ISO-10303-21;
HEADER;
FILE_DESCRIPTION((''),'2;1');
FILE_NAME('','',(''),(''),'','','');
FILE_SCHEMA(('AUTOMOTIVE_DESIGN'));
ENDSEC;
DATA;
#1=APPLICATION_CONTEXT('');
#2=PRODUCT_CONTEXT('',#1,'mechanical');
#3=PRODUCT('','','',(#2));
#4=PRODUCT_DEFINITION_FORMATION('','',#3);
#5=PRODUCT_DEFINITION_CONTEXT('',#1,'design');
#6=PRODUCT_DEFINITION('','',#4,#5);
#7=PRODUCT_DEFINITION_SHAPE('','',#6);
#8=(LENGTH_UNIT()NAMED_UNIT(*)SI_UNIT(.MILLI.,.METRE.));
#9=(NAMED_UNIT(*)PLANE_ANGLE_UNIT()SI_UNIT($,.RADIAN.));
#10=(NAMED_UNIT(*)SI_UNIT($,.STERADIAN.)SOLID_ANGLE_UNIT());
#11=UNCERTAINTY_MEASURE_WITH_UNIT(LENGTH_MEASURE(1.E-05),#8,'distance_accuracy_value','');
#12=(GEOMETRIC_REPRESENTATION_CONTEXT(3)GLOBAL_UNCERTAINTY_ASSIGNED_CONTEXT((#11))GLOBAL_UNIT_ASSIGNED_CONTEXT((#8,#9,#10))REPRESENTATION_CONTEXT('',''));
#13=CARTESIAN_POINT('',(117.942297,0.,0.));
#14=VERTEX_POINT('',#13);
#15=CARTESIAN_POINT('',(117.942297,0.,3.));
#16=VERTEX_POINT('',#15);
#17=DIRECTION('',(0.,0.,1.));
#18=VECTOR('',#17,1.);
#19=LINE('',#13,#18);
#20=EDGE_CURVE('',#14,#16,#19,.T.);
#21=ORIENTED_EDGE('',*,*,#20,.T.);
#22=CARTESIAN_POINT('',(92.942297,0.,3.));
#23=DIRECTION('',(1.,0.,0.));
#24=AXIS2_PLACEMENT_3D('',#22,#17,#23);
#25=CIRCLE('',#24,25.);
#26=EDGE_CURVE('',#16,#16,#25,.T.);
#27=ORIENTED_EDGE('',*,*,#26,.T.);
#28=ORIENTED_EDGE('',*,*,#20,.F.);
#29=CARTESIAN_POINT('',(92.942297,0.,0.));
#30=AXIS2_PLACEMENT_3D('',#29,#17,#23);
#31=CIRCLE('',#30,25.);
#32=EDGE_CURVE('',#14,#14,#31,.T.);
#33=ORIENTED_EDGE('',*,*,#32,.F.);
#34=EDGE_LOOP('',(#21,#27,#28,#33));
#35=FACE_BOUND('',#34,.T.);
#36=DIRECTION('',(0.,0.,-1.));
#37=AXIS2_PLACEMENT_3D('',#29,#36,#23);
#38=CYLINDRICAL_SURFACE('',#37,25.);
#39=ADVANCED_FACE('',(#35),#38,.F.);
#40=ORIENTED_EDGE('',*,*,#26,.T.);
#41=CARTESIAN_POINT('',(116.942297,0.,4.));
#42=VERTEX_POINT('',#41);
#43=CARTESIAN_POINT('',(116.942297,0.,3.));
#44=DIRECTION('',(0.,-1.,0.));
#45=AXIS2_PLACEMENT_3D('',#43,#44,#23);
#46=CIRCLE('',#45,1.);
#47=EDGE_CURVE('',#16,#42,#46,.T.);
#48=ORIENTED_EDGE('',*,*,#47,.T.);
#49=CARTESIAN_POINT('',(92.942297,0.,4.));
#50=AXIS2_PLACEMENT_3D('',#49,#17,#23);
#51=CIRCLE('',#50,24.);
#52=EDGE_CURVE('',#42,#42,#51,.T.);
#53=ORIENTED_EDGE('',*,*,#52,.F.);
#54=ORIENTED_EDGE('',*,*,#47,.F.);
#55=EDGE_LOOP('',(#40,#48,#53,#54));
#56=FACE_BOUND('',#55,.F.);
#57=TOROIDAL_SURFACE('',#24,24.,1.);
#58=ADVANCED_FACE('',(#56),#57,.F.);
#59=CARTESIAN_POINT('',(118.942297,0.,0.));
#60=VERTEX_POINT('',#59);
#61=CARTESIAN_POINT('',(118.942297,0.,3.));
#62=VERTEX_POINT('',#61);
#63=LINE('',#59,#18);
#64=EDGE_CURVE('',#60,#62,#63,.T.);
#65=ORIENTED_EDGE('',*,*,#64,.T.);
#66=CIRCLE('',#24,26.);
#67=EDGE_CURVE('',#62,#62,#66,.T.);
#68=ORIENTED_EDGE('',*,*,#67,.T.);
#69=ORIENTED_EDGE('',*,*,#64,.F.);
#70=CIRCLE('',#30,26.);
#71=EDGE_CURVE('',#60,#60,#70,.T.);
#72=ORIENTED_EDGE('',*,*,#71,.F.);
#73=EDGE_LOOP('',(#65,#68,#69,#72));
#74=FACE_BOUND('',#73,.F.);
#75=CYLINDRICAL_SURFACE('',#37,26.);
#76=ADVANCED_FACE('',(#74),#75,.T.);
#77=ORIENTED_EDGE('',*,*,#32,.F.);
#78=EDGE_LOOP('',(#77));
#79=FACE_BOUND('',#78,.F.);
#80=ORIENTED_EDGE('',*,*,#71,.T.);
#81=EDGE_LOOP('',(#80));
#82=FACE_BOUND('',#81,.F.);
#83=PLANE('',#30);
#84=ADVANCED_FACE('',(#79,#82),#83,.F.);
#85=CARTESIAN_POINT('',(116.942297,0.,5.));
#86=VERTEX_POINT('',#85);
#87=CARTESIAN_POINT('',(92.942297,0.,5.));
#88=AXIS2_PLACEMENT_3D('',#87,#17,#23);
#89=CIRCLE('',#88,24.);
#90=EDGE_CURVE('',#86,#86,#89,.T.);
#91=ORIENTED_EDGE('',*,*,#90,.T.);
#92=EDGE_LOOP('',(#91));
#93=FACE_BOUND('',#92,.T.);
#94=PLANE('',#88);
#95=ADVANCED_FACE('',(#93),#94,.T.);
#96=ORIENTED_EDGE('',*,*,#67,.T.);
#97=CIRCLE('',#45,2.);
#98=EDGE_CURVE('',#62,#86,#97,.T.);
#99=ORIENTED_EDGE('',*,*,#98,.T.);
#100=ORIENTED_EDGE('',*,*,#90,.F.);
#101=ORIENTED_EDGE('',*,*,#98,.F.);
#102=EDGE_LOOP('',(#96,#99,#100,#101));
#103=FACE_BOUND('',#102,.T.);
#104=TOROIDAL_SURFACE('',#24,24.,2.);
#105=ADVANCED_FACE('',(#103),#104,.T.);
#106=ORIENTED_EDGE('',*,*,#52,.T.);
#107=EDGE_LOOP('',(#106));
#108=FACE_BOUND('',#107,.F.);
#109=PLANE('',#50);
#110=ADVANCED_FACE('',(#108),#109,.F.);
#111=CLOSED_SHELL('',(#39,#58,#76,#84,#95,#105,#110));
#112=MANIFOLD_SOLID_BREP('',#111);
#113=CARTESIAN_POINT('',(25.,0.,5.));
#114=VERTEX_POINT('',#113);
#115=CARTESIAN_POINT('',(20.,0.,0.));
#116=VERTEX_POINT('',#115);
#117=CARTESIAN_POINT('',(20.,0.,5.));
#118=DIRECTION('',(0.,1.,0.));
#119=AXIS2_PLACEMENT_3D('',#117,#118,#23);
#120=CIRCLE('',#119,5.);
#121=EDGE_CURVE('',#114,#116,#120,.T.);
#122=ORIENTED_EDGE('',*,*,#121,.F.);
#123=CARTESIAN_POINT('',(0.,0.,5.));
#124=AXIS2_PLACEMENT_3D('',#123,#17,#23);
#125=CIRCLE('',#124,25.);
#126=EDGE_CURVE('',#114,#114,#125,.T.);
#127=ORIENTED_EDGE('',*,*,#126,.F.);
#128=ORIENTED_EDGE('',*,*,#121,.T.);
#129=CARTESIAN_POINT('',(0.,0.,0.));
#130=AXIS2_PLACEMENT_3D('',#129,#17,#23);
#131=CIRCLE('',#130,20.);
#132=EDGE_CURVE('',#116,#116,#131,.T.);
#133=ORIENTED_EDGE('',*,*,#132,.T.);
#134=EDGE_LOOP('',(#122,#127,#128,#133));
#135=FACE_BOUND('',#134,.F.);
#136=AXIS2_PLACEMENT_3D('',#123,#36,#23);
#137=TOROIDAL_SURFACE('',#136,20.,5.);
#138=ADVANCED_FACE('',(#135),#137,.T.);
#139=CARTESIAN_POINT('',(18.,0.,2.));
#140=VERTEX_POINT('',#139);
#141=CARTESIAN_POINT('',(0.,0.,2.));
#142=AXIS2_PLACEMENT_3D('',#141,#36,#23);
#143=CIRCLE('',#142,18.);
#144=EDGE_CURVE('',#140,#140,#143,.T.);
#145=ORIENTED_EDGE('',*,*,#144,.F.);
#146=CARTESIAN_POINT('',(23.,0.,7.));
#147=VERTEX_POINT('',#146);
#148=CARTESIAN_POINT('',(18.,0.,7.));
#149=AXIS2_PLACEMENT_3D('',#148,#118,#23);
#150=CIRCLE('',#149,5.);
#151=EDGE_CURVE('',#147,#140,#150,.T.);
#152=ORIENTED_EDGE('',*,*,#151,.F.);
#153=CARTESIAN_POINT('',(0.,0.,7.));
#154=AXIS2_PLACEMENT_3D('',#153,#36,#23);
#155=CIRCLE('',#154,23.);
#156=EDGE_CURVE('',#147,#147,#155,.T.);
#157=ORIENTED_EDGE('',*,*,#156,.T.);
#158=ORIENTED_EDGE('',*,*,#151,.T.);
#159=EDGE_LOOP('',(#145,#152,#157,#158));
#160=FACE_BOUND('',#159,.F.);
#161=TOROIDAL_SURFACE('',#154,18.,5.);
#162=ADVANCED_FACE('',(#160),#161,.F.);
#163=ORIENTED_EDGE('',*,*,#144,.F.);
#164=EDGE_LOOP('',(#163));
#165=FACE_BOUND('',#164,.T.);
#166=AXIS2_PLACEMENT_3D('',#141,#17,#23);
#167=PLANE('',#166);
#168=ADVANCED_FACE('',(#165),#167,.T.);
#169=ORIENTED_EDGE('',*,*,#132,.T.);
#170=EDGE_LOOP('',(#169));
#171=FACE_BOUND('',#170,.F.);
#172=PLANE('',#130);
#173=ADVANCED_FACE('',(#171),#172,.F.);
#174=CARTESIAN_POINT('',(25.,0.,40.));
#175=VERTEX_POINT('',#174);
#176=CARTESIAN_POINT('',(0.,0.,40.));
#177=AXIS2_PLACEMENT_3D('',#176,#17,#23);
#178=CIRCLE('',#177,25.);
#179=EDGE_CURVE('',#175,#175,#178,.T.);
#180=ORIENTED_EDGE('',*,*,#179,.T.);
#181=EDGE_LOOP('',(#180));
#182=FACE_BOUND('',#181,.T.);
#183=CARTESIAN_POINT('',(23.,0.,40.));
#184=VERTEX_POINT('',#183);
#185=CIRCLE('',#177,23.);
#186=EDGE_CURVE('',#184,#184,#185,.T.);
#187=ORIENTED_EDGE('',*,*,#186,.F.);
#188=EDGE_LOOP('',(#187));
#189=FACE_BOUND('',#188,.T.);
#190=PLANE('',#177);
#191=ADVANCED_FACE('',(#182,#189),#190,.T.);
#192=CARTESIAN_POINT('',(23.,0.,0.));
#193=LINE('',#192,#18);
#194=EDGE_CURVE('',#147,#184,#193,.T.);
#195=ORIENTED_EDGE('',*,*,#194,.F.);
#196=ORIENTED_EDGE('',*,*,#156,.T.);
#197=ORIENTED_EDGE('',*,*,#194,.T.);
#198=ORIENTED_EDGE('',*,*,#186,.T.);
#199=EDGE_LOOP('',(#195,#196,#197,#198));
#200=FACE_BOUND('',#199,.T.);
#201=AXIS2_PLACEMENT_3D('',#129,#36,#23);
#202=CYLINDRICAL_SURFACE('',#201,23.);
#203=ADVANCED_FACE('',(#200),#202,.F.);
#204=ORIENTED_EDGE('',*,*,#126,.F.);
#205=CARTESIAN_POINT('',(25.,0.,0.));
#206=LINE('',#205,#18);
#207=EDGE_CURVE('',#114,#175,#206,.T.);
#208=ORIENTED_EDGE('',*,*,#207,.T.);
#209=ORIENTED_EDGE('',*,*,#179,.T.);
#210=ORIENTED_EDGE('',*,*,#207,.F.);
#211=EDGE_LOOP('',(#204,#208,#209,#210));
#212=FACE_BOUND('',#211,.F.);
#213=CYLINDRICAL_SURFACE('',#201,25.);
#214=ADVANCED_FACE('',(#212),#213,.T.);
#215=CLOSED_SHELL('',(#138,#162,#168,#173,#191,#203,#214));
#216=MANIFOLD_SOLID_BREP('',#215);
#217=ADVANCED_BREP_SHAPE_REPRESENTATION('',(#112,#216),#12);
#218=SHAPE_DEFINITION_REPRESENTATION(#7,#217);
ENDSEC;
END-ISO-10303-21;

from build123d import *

# Parameters (mm, degrees)
F0_R     = 25
F1_DEPTH = 40
F0_R_2   = 26
F2_DEPTH = 5
F3_R     = 2
F4_T     = -2
F5_R     = 5
F6_R     = 5
F7_T     = -1


with BuildPart() as f1:
    # F0 (on Top) → F1 (new body)
    with BuildSketch(Plane.XY):
        Circle(F0_R)
    extrude(amount=F1_DEPTH)

    # F4
    f4_openings = [f1.faces().sort_by_distance(p)[0] for p in [
        (0, 0, 40),
    ]]
    offset(amount=F4_T, openings=f4_openings)

    # F5
    f5_edges = [f1.edges().sort_by_distance(p)[0] for p in [
        (-23, 0, 2),
    ]]
    fillet(f5_edges, radius=F5_R)

    # F6
    f6_edges = [f1.edges().sort_by_distance(p)[0] for p in [
        (-25, 0, 0),
    ]]
    fillet(f6_edges, radius=F6_R)


with BuildPart() as f2:
    # F0 (on Top) → F2 (new body)
    with BuildSketch(Plane.XY):
        with Locations((92.9422974586, 0)):
            Circle(F0_R_2)
    extrude(amount=F2_DEPTH)

    # F3
    f3_edges = [f2.edges().sort_by_distance(p)[0] for p in [
        (66.942297, 0, 5),
    ]]
    fillet(f3_edges, radius=F3_R)

    # F7
    f7_openings = [f2.faces().sort_by_distance(p)[0] for p in [
        (92.942297, 0, 0),
    ]]
    offset(amount=F7_T, openings=f7_openings)


solid = Compound([f1.part, f2.part])
